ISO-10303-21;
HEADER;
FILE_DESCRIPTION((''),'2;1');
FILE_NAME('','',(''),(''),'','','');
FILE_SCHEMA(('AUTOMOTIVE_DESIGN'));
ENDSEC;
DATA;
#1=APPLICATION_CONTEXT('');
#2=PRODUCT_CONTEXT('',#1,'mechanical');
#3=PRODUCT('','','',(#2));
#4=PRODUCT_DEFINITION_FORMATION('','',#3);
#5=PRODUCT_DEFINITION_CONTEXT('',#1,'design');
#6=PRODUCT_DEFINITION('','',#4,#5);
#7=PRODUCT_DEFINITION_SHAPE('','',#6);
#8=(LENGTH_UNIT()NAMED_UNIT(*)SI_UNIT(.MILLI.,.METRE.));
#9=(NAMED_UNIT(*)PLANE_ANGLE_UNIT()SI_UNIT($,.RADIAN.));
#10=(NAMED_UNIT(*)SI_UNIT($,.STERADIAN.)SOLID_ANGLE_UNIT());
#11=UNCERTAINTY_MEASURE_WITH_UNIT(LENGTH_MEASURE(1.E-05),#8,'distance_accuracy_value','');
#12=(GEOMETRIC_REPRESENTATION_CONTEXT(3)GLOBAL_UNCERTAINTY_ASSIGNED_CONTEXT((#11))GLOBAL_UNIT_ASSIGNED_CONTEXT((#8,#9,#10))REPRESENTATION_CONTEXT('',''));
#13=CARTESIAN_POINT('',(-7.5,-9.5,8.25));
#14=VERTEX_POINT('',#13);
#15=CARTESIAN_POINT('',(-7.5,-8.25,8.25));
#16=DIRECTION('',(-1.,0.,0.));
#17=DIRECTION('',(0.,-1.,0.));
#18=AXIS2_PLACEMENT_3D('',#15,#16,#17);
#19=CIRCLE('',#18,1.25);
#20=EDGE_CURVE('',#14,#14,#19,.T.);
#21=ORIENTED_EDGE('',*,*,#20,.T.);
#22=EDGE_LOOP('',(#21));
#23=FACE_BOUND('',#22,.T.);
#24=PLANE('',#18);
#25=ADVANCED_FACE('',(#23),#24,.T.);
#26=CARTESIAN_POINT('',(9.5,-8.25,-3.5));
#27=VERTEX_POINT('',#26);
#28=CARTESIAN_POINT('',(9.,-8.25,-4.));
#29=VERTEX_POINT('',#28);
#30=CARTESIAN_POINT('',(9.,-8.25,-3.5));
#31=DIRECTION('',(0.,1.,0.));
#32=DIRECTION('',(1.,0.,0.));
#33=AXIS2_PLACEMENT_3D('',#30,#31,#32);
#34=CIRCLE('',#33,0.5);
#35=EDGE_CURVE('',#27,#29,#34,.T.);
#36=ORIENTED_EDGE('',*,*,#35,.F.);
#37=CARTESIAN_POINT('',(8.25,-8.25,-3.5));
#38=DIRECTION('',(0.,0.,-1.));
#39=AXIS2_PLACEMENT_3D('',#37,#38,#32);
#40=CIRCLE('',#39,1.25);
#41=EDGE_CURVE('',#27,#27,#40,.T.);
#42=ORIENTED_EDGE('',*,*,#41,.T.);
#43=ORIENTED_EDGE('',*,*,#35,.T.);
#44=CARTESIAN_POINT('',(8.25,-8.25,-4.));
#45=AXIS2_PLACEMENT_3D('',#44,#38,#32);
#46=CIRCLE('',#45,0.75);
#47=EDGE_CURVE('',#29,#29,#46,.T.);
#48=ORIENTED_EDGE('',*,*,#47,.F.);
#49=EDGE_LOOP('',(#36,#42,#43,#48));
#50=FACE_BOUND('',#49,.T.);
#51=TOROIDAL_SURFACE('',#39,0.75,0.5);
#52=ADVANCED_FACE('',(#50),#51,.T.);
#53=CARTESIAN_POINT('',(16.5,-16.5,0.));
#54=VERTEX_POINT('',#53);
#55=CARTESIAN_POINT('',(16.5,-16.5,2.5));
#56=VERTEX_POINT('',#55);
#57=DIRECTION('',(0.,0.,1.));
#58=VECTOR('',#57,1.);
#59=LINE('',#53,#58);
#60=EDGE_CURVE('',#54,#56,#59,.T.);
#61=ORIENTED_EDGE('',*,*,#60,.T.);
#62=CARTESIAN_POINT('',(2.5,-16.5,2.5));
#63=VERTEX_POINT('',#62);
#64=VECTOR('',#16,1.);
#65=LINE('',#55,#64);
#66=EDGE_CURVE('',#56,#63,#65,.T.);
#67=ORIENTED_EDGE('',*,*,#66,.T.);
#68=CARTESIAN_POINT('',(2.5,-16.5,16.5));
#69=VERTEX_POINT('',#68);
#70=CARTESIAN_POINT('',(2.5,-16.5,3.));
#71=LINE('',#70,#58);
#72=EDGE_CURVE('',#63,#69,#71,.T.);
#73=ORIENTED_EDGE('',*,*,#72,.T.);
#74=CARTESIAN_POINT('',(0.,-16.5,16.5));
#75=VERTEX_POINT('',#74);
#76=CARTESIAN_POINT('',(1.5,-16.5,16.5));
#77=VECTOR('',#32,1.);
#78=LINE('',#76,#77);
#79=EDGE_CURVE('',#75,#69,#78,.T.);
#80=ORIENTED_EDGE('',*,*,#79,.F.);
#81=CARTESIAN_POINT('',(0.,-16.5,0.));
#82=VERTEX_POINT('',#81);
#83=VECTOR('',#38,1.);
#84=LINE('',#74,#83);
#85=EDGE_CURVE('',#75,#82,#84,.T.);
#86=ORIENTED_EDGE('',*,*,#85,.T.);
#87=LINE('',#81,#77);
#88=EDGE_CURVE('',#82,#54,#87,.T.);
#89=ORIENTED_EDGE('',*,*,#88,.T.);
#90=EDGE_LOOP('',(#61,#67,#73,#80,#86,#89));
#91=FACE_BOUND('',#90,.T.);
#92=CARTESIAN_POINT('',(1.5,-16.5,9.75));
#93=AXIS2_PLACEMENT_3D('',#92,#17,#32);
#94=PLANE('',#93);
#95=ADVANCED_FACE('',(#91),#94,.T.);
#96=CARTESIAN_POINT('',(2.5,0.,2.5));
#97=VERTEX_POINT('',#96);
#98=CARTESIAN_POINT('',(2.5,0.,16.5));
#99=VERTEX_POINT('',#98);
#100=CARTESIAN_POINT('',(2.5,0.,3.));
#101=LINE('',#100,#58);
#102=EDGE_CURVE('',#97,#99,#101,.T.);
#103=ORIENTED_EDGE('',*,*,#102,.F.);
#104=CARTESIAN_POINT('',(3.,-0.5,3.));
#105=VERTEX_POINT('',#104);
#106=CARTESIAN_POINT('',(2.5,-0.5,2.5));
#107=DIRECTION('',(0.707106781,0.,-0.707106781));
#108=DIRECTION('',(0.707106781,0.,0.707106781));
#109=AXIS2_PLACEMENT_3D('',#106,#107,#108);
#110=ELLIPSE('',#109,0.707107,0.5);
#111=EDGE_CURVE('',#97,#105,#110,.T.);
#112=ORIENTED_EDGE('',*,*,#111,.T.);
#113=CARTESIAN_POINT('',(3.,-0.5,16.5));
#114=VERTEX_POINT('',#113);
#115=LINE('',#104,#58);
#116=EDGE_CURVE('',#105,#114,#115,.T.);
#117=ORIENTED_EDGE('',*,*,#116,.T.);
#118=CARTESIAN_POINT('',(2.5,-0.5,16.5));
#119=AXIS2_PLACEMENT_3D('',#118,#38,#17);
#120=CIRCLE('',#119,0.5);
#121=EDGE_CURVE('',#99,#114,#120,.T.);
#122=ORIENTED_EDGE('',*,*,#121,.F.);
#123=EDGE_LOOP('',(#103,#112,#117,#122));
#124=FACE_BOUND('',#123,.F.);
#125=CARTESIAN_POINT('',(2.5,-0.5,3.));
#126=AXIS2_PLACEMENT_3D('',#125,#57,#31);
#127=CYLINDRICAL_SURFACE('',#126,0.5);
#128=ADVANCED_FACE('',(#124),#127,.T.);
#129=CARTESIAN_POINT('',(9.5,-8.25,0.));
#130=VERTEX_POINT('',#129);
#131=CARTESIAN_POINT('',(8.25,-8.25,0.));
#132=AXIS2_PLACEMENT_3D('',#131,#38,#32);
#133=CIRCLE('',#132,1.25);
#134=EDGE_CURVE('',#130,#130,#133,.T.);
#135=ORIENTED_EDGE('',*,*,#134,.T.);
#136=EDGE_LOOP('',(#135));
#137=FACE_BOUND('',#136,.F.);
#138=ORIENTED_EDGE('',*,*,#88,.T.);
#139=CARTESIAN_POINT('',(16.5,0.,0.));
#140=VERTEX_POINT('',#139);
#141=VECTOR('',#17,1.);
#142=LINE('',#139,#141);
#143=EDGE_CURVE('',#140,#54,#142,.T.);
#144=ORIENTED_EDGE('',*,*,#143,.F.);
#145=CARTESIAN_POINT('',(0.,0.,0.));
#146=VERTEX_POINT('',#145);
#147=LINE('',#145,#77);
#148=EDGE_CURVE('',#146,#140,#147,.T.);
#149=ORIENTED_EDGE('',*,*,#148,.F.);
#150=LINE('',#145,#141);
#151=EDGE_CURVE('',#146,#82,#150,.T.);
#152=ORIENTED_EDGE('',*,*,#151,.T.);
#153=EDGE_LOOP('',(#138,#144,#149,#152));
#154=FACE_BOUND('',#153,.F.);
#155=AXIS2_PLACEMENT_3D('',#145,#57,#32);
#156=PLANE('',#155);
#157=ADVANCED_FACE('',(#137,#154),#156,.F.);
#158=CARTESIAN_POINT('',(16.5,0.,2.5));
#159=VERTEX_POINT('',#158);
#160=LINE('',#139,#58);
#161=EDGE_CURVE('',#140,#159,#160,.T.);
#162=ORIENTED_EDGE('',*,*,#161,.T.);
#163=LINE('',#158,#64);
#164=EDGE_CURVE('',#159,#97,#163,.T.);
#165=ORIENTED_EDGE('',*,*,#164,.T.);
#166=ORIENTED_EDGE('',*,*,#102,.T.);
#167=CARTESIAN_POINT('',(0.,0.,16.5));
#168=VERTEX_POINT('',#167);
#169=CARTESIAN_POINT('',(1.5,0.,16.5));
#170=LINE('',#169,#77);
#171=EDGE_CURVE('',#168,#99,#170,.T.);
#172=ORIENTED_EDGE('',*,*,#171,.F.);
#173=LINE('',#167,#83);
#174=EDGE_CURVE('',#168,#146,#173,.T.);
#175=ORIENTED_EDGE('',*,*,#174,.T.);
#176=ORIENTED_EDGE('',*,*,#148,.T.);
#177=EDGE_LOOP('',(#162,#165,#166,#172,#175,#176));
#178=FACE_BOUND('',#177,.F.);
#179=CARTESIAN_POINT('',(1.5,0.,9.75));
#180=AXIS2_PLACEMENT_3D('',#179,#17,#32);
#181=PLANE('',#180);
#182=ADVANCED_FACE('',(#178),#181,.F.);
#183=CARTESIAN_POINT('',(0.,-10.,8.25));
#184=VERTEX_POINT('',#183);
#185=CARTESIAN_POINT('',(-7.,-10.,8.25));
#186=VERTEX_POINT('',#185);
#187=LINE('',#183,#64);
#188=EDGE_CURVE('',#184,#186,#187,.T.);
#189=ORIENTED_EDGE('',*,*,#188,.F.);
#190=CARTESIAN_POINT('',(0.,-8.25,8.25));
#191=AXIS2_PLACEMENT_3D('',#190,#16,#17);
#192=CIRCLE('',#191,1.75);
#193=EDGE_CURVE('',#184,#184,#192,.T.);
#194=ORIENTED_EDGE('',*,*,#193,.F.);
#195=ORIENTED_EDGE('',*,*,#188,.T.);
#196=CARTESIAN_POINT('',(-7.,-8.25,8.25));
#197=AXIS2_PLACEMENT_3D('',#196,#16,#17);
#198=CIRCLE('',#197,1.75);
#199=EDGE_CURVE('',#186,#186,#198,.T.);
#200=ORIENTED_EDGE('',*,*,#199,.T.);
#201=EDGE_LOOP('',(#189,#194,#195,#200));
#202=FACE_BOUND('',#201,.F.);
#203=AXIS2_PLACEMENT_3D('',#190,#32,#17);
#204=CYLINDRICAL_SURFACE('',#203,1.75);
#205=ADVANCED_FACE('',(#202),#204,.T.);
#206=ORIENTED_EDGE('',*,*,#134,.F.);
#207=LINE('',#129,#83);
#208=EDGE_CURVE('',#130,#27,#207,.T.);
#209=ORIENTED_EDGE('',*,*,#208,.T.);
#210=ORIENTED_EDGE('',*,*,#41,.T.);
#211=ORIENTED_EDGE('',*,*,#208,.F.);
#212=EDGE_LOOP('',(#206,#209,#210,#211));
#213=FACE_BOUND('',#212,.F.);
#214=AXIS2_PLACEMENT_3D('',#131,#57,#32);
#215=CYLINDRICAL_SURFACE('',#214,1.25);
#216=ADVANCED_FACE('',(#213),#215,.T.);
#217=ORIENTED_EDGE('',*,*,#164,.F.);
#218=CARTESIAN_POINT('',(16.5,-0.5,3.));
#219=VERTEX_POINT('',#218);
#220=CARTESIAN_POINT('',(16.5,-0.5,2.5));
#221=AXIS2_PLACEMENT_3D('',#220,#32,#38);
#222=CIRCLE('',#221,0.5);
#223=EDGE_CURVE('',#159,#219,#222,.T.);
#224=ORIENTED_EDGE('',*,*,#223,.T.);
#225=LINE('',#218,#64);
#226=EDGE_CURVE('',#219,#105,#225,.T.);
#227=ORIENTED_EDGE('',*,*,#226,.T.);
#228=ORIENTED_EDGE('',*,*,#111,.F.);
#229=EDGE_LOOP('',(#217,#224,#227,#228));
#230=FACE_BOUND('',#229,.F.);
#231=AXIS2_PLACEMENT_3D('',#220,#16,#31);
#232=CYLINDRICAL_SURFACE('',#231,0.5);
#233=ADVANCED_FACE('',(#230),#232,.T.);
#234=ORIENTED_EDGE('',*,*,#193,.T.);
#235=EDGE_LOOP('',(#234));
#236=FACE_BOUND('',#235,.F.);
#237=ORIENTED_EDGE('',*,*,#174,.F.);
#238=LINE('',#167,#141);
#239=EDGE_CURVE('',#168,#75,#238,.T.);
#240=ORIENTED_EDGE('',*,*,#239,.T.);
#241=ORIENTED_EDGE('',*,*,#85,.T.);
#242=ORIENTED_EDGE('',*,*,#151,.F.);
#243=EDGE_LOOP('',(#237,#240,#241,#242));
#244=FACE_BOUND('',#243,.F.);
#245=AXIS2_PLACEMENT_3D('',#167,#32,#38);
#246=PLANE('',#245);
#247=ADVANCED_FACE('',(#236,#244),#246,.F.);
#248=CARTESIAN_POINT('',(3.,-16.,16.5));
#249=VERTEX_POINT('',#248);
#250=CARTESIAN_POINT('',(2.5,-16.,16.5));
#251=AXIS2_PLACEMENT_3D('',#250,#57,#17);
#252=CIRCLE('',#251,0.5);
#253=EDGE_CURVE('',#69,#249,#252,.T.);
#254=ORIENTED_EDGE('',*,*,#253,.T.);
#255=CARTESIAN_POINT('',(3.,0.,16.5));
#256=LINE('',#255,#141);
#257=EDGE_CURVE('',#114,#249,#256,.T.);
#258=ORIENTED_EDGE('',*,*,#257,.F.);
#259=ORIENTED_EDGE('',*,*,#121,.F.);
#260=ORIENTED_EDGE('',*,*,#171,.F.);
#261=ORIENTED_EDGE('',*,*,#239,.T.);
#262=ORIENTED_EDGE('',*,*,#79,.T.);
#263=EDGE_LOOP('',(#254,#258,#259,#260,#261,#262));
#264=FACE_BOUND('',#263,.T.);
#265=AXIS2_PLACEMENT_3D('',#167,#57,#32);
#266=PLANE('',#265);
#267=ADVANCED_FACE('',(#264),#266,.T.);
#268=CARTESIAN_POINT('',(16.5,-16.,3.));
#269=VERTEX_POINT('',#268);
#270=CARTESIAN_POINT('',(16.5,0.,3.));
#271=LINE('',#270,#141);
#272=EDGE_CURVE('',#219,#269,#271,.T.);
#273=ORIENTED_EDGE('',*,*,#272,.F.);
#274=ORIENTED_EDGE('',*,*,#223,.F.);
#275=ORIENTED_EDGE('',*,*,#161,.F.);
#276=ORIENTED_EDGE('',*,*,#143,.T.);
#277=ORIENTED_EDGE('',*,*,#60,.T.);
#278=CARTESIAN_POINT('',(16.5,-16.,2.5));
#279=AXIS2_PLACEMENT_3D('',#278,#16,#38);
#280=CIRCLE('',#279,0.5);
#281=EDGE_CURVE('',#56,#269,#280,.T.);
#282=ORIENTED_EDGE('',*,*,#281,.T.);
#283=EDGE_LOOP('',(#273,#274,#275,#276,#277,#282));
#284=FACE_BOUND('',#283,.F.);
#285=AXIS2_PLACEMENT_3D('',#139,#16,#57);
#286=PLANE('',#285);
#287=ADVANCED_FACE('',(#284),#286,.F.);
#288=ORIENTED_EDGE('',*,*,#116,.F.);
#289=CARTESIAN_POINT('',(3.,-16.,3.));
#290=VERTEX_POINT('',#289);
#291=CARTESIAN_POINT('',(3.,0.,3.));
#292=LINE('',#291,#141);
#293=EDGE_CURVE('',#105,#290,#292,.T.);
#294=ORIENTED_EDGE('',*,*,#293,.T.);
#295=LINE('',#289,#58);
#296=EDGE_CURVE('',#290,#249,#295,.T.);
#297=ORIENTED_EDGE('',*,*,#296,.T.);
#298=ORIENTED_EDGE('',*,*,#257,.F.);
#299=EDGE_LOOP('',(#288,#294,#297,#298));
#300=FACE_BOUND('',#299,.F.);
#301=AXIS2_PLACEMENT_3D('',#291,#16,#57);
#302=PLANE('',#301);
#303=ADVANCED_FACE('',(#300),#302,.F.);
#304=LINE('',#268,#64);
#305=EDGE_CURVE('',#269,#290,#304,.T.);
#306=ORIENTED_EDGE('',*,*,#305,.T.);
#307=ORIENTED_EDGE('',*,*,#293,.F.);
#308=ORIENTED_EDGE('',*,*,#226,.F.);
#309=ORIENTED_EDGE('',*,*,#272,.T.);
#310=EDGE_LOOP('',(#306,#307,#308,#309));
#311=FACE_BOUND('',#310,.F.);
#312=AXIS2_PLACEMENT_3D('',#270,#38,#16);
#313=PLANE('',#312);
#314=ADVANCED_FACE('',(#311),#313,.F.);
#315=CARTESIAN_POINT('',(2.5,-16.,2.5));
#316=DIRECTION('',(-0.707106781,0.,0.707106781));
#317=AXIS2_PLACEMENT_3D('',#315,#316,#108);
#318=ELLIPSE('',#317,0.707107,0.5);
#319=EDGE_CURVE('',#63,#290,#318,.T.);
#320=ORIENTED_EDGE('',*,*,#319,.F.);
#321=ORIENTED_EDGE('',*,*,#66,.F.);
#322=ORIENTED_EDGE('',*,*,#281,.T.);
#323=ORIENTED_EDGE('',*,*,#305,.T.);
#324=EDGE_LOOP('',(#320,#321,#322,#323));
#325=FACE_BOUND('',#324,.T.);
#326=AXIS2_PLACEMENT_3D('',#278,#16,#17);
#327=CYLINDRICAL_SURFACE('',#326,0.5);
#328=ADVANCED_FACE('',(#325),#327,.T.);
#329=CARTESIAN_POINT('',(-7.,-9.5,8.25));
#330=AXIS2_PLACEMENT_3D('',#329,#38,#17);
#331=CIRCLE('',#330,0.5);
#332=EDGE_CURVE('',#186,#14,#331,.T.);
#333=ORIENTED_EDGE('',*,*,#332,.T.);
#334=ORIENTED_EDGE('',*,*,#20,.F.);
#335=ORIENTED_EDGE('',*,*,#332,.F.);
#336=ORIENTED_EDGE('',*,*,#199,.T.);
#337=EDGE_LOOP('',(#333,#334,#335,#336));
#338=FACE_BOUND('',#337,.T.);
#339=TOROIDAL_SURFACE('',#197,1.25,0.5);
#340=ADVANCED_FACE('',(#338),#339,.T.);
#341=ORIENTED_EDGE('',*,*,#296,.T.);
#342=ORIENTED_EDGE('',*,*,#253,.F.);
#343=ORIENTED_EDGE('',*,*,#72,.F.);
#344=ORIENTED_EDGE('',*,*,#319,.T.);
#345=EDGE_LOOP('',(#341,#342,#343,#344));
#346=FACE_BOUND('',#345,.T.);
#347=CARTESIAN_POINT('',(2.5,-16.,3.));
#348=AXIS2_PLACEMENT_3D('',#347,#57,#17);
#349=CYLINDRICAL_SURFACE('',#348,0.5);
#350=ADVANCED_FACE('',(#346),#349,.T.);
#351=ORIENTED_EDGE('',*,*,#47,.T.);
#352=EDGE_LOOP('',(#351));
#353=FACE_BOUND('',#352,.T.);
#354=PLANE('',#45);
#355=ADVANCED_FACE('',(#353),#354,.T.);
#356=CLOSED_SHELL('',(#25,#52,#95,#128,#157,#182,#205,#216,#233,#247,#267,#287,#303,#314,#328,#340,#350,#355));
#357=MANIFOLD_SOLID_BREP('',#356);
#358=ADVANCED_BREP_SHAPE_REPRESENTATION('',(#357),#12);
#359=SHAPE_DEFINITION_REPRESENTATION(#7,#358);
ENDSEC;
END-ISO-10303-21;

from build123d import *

# Parameters (mm, degrees)
F0_W     = 3
F0_H     = 13.5
F1_DEPTH = 16.5
F2_R     = 1.25
F3_DEPTH = 4
F4_R     = 1.75
F5_DEPTH = 7.5
F6_R     = 0.5
F7_R     = 0.5
F8_R     = 0.5


with BuildPart() as f1:
    # F0 (on Front) → F1 (new body)
    with BuildSketch(Plane.XZ):
        with Locations((1.5, 9.75)):
            Rectangle(F0_W, F0_H)
        Polygon((3, 3), (0, 3), (0, 0), (16.5, 0), (16.5, 3), align=None)
    extrude(amount=F1_DEPTH)

    # F2 (on face) → F3 (join)
    with BuildSketch(Plane(origin=(0, 0, 0), x_dir=(1, 0, 0), z_dir=(0, 0, -1))):
        with Locations((8.25, 8.25)):
            Circle(F2_R)
    extrude(amount=F3_DEPTH)

    # F4 (on face) → F5 (join)
    with BuildSketch(Plane(origin=(0, 0, 0), x_dir=(0, -1, 0), z_dir=(-1, 0, 0))):
        with Locations((8.25, 8.25)):
            Circle(F4_R)
    extrude(amount=F5_DEPTH)

    # F6
    f6_edges = [f1.edges().sort_by_distance(p)[0] for p in [
        (7, -8.25, -4),
    ]]
    fillet(f6_edges, radius=F6_R)

    # F7
    f7_edges = [f1.edges().sort_by_distance(p)[0] for p in [
        (-7.5, -6.5, 8.25),
    ]]
    fillet(f7_edges, radius=F7_R)

    # F8
    f8_edges = [f1.edges().sort_by_distance(p)[0] for p in [
        (3, 0, 9.75),
        (3, -16.5, 9.75),
        (9.75, -16.5, 3),
        (9.75, 0, 3),
    ]]
    fillet(f8_edges, radius=F8_R)


solid = f1.part
